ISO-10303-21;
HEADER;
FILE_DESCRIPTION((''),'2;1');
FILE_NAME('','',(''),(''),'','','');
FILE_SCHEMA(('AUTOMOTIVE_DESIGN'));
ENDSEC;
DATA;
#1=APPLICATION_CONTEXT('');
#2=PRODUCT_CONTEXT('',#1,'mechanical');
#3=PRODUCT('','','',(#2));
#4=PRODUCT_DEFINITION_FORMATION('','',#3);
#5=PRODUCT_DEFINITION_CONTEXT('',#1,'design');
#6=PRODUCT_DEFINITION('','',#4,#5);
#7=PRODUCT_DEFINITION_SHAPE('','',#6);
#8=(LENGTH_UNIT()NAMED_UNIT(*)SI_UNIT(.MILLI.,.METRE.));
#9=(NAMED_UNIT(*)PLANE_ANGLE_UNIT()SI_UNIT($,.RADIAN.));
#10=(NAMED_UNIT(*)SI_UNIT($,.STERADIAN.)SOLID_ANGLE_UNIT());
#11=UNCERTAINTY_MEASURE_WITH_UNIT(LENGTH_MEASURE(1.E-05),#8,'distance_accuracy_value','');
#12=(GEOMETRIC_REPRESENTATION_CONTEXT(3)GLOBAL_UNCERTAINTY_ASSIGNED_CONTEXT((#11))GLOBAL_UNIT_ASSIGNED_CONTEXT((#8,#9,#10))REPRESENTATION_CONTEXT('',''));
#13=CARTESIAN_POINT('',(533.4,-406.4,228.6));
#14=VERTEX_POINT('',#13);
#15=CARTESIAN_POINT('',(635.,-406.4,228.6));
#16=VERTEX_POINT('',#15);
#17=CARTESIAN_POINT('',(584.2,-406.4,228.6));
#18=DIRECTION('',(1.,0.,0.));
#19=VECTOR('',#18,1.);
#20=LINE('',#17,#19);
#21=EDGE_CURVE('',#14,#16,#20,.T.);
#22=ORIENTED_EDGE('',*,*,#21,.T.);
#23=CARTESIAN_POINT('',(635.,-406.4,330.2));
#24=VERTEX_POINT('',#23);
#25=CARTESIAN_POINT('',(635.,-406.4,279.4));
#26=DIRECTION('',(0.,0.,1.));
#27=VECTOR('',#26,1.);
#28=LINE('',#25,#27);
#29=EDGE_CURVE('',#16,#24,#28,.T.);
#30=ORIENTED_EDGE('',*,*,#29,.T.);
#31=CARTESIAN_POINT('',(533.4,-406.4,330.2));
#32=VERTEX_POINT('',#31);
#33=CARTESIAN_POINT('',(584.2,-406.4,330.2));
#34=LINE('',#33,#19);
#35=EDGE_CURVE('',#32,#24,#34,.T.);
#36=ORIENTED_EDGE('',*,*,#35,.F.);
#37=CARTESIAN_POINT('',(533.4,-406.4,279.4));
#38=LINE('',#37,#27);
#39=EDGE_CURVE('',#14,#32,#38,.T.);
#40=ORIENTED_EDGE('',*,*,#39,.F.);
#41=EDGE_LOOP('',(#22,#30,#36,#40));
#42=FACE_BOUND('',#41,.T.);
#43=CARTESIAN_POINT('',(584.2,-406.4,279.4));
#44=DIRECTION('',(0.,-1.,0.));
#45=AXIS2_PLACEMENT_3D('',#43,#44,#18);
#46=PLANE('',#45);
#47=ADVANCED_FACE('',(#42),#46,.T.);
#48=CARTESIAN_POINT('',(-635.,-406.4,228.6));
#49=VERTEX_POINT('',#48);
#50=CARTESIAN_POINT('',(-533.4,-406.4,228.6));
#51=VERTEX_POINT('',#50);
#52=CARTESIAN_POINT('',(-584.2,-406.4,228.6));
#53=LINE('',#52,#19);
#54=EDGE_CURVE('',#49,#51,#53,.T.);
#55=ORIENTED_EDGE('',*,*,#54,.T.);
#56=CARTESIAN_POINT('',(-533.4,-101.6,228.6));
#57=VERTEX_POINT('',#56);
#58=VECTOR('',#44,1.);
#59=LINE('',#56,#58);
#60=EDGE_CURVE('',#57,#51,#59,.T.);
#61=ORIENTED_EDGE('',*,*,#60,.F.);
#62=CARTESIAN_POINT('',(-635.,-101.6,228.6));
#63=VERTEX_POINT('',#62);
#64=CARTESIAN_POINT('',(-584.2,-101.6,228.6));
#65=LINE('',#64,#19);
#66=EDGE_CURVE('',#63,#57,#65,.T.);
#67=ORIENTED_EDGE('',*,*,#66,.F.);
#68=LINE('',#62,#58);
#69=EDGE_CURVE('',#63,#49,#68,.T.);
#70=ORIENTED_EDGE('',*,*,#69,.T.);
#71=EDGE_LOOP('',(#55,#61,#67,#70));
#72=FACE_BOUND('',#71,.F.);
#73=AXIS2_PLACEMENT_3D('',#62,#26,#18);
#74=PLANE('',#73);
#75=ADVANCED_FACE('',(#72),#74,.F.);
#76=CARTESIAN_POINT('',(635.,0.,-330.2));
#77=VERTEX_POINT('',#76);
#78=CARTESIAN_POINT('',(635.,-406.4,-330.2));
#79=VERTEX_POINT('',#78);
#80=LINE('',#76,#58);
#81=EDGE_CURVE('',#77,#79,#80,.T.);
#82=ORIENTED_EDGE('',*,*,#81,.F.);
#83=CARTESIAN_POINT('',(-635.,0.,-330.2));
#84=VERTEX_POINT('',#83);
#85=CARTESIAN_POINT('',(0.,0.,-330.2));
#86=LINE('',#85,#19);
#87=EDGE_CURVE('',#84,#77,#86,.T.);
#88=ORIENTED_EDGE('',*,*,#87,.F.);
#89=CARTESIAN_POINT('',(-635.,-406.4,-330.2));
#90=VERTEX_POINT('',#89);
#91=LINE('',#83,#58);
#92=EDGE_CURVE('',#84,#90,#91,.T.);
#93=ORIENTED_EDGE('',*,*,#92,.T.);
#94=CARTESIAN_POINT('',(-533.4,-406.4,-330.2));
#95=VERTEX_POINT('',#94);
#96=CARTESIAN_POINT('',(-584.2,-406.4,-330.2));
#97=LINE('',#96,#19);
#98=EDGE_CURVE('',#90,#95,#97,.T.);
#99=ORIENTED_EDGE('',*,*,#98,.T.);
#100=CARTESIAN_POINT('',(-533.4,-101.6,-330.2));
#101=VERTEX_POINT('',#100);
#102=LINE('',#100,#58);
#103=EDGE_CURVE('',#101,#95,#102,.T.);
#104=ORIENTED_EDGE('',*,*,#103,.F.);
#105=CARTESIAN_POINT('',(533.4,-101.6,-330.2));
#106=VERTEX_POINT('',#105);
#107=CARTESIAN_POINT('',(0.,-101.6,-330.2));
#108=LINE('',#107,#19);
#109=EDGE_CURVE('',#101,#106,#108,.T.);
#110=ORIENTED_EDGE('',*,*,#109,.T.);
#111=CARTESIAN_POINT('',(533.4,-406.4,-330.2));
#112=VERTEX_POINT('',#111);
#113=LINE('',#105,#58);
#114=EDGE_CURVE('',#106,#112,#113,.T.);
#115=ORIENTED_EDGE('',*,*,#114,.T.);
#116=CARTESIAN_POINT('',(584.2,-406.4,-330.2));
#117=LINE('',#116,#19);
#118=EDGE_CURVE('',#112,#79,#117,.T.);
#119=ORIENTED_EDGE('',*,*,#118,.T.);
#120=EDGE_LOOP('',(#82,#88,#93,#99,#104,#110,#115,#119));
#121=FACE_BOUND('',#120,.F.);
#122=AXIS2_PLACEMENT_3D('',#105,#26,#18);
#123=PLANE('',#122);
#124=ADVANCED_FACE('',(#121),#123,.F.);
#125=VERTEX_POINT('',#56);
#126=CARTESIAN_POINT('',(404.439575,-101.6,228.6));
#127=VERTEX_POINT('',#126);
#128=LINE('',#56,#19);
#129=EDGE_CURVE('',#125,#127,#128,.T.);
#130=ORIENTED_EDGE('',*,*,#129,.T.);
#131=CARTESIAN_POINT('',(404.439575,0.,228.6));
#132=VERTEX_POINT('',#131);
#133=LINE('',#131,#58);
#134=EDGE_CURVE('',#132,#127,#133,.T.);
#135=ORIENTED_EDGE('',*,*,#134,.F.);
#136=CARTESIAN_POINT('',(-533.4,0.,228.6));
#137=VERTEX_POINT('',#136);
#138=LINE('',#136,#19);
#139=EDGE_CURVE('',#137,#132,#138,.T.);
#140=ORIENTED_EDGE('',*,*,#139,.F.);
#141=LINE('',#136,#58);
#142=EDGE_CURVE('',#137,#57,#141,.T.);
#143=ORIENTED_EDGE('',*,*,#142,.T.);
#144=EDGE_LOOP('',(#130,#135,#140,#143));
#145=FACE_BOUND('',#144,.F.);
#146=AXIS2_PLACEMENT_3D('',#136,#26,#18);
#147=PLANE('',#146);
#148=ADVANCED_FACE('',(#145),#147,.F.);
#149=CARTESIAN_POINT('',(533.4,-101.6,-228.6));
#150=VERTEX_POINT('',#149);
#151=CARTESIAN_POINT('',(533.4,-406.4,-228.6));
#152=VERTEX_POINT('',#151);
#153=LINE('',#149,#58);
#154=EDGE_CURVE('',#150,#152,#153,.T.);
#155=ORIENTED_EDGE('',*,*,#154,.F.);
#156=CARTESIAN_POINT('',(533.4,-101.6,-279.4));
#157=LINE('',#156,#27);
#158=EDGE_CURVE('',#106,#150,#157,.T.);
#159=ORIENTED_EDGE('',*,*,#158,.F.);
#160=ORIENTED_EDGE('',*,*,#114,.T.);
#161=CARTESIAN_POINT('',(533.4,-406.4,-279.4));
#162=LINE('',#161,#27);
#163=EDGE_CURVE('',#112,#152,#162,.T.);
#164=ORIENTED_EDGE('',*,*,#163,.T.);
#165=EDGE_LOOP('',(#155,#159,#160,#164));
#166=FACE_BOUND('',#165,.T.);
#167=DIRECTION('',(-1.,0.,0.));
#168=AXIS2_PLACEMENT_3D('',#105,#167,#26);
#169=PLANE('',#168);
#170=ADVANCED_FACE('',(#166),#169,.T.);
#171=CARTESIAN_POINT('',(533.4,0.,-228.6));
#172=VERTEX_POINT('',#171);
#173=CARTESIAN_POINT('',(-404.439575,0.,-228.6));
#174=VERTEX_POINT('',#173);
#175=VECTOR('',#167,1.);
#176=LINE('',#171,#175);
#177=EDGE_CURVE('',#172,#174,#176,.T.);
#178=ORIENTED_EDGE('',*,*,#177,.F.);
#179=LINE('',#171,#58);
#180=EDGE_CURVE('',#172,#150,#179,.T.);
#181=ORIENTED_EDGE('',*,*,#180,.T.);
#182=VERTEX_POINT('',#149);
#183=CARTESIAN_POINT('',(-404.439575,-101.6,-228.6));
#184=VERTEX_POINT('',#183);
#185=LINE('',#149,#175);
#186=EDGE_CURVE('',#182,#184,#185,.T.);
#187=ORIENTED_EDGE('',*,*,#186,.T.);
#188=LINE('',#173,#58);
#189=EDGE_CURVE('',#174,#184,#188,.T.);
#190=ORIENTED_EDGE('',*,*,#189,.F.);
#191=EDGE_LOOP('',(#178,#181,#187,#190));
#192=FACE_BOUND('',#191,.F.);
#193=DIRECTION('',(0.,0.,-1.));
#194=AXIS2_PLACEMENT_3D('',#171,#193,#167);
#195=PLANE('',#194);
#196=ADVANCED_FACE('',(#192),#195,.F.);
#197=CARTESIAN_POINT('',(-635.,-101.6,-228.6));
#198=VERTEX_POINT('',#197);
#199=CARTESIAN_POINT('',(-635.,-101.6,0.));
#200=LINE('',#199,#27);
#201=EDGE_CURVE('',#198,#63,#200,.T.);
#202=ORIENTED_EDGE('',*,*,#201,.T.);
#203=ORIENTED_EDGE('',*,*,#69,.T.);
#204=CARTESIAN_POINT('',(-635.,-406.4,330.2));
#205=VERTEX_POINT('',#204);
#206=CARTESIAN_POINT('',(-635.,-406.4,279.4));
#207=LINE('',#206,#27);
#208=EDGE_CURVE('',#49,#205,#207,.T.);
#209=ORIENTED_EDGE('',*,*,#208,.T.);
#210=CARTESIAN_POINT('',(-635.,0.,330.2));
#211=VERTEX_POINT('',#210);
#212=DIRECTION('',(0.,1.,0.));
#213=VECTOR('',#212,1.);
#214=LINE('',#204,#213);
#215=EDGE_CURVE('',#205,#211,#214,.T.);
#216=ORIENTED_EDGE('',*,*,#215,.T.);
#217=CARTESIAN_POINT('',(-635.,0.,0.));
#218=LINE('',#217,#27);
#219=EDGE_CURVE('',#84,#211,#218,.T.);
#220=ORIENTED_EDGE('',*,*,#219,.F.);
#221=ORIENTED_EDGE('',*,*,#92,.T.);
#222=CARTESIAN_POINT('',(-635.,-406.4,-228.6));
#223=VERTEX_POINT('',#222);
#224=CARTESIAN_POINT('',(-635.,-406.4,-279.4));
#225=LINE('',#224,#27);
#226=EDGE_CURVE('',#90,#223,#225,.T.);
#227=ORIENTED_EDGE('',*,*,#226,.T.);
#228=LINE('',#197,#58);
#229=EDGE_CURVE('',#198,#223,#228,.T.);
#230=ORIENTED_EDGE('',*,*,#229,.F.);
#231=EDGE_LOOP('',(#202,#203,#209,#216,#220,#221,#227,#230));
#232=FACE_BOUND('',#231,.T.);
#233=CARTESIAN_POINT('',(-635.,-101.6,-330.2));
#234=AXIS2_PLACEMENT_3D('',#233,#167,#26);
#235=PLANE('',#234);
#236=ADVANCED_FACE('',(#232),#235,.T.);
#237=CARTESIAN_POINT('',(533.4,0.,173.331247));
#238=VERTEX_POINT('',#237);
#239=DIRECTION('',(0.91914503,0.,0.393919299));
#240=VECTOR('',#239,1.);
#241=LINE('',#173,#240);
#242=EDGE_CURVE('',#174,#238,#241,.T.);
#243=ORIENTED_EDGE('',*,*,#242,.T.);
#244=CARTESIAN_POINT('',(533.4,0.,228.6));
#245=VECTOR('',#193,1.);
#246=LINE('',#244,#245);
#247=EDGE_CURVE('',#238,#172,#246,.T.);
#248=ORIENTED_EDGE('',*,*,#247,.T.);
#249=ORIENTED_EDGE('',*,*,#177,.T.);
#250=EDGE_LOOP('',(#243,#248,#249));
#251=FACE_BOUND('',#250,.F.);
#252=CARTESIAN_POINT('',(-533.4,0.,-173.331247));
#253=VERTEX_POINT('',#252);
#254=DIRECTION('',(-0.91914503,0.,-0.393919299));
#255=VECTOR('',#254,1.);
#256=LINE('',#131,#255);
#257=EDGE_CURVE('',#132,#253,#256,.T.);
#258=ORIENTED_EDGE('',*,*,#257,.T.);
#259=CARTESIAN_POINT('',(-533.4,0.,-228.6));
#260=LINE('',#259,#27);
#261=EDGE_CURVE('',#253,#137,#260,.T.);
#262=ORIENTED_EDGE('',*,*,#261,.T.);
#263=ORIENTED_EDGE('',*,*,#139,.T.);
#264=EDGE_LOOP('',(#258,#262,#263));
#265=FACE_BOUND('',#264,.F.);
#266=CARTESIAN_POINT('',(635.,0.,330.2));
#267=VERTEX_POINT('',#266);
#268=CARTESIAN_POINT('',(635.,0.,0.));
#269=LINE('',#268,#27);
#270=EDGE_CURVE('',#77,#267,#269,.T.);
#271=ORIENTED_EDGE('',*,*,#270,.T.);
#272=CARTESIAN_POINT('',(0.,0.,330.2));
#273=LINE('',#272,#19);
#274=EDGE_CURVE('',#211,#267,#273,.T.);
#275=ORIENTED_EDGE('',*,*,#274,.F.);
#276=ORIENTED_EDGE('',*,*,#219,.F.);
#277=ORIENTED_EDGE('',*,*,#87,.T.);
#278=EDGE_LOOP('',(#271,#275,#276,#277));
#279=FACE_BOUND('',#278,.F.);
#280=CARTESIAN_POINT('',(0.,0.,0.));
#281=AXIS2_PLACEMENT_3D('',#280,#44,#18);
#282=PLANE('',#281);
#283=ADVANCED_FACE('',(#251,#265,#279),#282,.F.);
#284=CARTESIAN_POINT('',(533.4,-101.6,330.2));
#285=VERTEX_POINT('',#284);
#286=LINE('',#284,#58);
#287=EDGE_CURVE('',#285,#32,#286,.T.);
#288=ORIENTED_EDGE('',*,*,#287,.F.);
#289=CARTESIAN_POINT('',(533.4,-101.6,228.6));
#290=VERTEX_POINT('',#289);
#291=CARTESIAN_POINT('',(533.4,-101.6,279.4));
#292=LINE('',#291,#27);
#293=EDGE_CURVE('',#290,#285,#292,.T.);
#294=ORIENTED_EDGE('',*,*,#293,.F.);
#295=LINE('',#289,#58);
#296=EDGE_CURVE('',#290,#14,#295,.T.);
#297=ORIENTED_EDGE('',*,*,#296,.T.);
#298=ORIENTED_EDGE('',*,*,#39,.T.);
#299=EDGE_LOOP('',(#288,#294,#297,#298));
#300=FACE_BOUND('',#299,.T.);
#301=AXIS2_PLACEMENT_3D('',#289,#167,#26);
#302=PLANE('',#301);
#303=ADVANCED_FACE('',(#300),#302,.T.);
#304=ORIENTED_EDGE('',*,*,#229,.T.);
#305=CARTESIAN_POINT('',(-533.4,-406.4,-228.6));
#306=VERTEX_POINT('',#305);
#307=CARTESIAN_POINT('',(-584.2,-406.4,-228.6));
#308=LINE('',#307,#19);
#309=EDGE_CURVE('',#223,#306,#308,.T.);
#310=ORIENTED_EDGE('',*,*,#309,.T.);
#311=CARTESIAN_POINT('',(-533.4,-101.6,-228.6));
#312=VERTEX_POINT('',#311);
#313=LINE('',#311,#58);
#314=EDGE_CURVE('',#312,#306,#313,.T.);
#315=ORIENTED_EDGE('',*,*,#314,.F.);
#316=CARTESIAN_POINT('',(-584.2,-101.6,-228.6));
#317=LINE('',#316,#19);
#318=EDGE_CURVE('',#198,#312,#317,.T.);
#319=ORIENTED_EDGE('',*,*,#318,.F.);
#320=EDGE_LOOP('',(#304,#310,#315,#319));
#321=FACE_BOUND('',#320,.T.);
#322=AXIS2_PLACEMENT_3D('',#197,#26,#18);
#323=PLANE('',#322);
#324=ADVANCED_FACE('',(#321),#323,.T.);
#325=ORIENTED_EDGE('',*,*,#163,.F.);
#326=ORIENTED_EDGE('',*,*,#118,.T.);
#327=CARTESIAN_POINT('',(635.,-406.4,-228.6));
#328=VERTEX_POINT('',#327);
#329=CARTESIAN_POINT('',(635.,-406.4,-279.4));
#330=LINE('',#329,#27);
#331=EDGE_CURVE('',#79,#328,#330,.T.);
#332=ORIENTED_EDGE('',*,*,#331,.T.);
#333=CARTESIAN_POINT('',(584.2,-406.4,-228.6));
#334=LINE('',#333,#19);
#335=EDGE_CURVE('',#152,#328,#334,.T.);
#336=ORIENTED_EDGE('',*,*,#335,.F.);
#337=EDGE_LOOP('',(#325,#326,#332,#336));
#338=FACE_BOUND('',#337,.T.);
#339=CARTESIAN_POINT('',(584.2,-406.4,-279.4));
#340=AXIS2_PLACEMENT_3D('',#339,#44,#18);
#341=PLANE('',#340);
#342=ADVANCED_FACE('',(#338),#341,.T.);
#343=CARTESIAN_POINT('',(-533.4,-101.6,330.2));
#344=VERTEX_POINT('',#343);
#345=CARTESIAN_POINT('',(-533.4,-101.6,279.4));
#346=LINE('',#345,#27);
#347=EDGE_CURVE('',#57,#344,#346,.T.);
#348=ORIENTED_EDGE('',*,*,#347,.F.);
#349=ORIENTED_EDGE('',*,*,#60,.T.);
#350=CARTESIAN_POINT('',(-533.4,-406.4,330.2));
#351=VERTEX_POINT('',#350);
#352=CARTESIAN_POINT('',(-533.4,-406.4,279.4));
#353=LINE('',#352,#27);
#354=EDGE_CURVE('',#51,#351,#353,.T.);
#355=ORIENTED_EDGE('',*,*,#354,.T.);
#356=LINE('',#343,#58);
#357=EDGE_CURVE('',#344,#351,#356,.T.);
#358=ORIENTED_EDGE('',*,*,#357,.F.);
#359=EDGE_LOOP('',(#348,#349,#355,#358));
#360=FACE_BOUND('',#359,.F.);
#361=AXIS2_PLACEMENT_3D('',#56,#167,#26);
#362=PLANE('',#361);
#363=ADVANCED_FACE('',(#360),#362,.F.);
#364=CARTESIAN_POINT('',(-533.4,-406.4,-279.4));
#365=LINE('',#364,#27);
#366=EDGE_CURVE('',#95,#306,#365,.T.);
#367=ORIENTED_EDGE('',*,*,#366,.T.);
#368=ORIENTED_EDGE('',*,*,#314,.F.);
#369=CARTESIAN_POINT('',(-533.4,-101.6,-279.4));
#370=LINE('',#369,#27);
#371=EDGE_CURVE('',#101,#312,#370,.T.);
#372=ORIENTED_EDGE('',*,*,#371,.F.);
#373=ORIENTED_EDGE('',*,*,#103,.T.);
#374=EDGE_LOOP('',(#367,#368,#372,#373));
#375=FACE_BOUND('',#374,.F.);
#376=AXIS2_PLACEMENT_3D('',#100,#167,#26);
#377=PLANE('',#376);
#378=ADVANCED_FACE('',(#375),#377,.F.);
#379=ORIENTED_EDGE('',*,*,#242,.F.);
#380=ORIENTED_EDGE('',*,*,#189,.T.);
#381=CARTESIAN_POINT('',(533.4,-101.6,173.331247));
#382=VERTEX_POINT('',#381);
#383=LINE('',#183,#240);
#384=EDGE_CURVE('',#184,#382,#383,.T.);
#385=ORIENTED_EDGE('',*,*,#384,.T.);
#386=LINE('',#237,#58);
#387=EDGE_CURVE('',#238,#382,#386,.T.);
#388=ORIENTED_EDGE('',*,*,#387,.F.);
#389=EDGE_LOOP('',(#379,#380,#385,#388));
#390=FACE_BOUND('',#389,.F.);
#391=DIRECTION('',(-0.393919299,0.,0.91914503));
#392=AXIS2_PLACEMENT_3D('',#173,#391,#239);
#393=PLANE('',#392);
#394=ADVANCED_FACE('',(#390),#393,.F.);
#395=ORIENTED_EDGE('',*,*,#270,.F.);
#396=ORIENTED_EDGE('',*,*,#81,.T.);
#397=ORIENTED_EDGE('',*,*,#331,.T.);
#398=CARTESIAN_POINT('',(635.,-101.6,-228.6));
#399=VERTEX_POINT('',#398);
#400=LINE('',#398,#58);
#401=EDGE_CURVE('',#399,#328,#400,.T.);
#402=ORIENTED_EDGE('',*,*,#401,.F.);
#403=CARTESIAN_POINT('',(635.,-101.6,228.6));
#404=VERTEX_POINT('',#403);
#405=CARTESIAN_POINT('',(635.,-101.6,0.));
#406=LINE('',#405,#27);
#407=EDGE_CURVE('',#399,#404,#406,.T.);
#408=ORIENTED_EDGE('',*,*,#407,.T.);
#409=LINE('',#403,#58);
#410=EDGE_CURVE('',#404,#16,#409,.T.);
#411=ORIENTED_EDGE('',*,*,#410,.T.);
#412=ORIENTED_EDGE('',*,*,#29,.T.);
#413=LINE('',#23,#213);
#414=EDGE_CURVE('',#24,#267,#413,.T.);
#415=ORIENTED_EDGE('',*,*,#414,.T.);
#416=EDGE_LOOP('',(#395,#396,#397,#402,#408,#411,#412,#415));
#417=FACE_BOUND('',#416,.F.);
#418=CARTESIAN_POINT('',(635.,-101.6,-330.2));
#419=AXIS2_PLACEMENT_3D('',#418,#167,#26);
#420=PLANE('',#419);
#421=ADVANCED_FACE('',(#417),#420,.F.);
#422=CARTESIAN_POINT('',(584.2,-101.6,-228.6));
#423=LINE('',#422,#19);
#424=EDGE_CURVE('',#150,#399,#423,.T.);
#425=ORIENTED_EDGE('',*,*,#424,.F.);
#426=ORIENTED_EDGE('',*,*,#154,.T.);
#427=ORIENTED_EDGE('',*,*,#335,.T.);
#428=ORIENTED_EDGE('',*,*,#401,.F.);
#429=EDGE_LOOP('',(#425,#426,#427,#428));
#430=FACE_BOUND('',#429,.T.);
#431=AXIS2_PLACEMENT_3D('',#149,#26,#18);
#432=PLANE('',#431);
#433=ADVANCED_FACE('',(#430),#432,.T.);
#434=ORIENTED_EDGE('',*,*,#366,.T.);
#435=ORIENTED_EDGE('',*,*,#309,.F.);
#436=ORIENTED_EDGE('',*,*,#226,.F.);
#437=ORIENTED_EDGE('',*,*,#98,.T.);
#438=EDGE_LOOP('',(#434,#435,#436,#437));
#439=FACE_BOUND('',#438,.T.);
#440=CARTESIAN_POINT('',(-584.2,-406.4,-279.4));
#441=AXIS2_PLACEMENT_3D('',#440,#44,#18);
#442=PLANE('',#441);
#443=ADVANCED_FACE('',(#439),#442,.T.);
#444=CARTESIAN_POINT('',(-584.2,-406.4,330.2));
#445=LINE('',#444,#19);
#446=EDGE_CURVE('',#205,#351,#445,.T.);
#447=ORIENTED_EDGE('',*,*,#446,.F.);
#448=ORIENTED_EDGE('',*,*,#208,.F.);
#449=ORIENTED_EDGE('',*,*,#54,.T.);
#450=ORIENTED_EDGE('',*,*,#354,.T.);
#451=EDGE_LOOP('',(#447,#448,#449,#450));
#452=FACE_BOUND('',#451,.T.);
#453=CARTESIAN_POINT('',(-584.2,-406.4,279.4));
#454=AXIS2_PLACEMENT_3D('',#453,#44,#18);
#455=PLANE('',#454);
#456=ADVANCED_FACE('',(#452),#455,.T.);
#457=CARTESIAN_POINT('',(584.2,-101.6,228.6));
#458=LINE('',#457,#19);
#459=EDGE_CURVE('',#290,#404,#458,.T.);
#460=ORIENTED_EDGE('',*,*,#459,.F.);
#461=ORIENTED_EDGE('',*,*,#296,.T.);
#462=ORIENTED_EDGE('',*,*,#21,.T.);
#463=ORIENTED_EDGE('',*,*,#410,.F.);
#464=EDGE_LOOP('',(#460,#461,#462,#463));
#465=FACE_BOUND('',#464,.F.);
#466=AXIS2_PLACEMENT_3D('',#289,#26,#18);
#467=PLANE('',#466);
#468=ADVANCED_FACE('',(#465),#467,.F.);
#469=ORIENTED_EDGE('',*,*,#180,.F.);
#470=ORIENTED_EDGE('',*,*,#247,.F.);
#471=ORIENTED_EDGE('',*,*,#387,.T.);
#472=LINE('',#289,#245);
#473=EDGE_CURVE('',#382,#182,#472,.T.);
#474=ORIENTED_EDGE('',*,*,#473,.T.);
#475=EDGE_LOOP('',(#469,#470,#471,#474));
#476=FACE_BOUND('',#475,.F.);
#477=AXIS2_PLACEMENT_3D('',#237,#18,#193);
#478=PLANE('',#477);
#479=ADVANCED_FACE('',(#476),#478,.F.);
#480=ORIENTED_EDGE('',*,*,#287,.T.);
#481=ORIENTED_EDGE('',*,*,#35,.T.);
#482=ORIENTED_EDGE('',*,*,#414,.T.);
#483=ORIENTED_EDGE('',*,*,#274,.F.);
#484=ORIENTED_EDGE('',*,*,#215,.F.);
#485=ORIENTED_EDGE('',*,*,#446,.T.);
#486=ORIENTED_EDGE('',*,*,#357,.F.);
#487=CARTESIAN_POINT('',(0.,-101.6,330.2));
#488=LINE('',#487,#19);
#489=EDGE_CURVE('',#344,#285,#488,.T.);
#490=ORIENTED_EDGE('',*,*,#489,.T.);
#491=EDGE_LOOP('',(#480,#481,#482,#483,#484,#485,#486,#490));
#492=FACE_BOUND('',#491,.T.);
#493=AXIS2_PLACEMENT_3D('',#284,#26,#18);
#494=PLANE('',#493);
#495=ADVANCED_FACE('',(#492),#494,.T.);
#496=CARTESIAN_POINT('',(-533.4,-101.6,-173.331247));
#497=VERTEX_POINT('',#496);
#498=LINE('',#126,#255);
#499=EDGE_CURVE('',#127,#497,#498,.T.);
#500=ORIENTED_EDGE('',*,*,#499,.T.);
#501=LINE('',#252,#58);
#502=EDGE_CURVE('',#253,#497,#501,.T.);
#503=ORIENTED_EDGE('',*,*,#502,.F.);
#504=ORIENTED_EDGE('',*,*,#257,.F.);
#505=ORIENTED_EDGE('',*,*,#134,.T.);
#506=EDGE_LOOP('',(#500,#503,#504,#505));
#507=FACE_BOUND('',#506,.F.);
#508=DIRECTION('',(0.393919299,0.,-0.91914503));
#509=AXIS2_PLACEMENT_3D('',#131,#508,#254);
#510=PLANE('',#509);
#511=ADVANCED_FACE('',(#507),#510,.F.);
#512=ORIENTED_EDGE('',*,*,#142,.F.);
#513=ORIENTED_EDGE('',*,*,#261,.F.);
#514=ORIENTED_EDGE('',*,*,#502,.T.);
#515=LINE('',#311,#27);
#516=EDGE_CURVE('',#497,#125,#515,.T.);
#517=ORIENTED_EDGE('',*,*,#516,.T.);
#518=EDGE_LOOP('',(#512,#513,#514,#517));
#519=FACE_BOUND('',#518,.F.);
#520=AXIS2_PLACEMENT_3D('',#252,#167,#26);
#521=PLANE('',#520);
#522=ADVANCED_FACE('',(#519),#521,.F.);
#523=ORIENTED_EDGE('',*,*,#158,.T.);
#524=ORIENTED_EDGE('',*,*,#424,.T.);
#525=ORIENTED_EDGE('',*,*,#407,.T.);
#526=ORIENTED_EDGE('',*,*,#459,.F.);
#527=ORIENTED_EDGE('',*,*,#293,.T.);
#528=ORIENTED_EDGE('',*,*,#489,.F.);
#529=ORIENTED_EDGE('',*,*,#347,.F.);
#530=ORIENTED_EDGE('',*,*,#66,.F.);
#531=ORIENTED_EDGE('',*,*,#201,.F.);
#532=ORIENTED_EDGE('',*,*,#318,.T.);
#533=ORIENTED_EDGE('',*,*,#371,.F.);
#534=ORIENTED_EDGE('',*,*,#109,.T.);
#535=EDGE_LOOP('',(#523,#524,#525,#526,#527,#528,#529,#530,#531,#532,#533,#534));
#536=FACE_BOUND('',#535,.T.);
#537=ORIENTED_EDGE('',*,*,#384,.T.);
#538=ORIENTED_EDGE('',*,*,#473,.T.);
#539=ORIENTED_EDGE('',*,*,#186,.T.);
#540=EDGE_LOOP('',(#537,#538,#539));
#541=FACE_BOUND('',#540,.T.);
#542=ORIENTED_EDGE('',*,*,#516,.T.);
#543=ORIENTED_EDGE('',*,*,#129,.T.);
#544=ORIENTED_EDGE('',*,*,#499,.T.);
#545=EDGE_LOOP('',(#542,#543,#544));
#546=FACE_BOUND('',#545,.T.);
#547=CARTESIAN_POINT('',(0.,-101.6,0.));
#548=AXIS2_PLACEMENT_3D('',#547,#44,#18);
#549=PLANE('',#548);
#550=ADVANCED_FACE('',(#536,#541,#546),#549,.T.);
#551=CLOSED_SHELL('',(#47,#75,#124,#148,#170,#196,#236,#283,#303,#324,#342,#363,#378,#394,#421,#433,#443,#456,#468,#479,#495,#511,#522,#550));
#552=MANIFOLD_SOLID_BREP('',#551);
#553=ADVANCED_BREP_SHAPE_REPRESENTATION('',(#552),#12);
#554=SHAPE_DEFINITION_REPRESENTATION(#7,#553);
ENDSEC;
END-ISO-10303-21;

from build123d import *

# Parameters (mm, degrees)
F0_W      = 1270
F0_H      = 660.4
F1_DEPTH  = 101.6
F2_W      = 101.6
F2_H      = 101.6
F3_DEPTH  = 304.8
F4_W      = 101.6
F4_H      = 101.6
F5_DEPTH  = 304.8
F6_DEPTH  = 304.8
F8_W      = 101.6
F8_H      = 101.6
F9_DEPTH  = 304.8
F7_W      = 101.6
F7_H      = 101.6
F10_DEPTH = 304.8


with BuildPart() as f1:
    # F0 (on Front) → F1 (new body)
    with BuildSketch(Plane.XZ):
        Rectangle(F0_W, F0_H)
        Polygon((533.4, 173.331247), (533.4, -228.6), (-404.439575, -228.6), (-533.4, -228.6), (-533.4, -173.331247), (-533.4, 228.6), (404.439575, 228.6), (533.4, 228.6), align=None, mode=Mode.SUBTRACT)
        Polygon((-533.4, -228.6), (-404.439575, -228.6), (533.4, 173.331247), (533.4, 228.6), (404.439575, 228.6), (-533.4, -173.331247), align=None)
    extrude(amount=F1_DEPTH)

    # F2 (on face) → F3 (join)
    with BuildSketch(Plane.XZ.offset(101.6)):
        with Locations((-584.2, 279.4)):
            Rectangle(F2_W, F2_H)
    extrude(amount=F3_DEPTH)

    # F4 (on face) → F5 (join)
    with BuildSketch(Plane.XZ.offset(101.6)):
        with Locations((-584.2, -279.4)):
            Rectangle(F4_W, F4_H)
    extrude(amount=F5_DEPTH)

    # F4 (on face) → F6 (join)
    with BuildSketch(Plane.XZ.offset(101.6)):
        with Locations((-584.2, -279.4)):
            Rectangle(F4_W, F4_H)
    extrude(amount=F6_DEPTH)

    # F8 (on face) → F9 (join)
    with BuildSketch(Plane.XZ.offset(101.6)):
        with Locations((584.2, 279.4)):
            Rectangle(F8_W, F8_H)
    extrude(amount=F9_DEPTH)

    # F7 (on face) → F10 (join)
    with BuildSketch(Plane.XZ.offset(101.6)):
        with Locations((584.2, -279.4)):
            Rectangle(F7_W, F7_H)
    extrude(amount=F10_DEPTH)


solid = f1.part
